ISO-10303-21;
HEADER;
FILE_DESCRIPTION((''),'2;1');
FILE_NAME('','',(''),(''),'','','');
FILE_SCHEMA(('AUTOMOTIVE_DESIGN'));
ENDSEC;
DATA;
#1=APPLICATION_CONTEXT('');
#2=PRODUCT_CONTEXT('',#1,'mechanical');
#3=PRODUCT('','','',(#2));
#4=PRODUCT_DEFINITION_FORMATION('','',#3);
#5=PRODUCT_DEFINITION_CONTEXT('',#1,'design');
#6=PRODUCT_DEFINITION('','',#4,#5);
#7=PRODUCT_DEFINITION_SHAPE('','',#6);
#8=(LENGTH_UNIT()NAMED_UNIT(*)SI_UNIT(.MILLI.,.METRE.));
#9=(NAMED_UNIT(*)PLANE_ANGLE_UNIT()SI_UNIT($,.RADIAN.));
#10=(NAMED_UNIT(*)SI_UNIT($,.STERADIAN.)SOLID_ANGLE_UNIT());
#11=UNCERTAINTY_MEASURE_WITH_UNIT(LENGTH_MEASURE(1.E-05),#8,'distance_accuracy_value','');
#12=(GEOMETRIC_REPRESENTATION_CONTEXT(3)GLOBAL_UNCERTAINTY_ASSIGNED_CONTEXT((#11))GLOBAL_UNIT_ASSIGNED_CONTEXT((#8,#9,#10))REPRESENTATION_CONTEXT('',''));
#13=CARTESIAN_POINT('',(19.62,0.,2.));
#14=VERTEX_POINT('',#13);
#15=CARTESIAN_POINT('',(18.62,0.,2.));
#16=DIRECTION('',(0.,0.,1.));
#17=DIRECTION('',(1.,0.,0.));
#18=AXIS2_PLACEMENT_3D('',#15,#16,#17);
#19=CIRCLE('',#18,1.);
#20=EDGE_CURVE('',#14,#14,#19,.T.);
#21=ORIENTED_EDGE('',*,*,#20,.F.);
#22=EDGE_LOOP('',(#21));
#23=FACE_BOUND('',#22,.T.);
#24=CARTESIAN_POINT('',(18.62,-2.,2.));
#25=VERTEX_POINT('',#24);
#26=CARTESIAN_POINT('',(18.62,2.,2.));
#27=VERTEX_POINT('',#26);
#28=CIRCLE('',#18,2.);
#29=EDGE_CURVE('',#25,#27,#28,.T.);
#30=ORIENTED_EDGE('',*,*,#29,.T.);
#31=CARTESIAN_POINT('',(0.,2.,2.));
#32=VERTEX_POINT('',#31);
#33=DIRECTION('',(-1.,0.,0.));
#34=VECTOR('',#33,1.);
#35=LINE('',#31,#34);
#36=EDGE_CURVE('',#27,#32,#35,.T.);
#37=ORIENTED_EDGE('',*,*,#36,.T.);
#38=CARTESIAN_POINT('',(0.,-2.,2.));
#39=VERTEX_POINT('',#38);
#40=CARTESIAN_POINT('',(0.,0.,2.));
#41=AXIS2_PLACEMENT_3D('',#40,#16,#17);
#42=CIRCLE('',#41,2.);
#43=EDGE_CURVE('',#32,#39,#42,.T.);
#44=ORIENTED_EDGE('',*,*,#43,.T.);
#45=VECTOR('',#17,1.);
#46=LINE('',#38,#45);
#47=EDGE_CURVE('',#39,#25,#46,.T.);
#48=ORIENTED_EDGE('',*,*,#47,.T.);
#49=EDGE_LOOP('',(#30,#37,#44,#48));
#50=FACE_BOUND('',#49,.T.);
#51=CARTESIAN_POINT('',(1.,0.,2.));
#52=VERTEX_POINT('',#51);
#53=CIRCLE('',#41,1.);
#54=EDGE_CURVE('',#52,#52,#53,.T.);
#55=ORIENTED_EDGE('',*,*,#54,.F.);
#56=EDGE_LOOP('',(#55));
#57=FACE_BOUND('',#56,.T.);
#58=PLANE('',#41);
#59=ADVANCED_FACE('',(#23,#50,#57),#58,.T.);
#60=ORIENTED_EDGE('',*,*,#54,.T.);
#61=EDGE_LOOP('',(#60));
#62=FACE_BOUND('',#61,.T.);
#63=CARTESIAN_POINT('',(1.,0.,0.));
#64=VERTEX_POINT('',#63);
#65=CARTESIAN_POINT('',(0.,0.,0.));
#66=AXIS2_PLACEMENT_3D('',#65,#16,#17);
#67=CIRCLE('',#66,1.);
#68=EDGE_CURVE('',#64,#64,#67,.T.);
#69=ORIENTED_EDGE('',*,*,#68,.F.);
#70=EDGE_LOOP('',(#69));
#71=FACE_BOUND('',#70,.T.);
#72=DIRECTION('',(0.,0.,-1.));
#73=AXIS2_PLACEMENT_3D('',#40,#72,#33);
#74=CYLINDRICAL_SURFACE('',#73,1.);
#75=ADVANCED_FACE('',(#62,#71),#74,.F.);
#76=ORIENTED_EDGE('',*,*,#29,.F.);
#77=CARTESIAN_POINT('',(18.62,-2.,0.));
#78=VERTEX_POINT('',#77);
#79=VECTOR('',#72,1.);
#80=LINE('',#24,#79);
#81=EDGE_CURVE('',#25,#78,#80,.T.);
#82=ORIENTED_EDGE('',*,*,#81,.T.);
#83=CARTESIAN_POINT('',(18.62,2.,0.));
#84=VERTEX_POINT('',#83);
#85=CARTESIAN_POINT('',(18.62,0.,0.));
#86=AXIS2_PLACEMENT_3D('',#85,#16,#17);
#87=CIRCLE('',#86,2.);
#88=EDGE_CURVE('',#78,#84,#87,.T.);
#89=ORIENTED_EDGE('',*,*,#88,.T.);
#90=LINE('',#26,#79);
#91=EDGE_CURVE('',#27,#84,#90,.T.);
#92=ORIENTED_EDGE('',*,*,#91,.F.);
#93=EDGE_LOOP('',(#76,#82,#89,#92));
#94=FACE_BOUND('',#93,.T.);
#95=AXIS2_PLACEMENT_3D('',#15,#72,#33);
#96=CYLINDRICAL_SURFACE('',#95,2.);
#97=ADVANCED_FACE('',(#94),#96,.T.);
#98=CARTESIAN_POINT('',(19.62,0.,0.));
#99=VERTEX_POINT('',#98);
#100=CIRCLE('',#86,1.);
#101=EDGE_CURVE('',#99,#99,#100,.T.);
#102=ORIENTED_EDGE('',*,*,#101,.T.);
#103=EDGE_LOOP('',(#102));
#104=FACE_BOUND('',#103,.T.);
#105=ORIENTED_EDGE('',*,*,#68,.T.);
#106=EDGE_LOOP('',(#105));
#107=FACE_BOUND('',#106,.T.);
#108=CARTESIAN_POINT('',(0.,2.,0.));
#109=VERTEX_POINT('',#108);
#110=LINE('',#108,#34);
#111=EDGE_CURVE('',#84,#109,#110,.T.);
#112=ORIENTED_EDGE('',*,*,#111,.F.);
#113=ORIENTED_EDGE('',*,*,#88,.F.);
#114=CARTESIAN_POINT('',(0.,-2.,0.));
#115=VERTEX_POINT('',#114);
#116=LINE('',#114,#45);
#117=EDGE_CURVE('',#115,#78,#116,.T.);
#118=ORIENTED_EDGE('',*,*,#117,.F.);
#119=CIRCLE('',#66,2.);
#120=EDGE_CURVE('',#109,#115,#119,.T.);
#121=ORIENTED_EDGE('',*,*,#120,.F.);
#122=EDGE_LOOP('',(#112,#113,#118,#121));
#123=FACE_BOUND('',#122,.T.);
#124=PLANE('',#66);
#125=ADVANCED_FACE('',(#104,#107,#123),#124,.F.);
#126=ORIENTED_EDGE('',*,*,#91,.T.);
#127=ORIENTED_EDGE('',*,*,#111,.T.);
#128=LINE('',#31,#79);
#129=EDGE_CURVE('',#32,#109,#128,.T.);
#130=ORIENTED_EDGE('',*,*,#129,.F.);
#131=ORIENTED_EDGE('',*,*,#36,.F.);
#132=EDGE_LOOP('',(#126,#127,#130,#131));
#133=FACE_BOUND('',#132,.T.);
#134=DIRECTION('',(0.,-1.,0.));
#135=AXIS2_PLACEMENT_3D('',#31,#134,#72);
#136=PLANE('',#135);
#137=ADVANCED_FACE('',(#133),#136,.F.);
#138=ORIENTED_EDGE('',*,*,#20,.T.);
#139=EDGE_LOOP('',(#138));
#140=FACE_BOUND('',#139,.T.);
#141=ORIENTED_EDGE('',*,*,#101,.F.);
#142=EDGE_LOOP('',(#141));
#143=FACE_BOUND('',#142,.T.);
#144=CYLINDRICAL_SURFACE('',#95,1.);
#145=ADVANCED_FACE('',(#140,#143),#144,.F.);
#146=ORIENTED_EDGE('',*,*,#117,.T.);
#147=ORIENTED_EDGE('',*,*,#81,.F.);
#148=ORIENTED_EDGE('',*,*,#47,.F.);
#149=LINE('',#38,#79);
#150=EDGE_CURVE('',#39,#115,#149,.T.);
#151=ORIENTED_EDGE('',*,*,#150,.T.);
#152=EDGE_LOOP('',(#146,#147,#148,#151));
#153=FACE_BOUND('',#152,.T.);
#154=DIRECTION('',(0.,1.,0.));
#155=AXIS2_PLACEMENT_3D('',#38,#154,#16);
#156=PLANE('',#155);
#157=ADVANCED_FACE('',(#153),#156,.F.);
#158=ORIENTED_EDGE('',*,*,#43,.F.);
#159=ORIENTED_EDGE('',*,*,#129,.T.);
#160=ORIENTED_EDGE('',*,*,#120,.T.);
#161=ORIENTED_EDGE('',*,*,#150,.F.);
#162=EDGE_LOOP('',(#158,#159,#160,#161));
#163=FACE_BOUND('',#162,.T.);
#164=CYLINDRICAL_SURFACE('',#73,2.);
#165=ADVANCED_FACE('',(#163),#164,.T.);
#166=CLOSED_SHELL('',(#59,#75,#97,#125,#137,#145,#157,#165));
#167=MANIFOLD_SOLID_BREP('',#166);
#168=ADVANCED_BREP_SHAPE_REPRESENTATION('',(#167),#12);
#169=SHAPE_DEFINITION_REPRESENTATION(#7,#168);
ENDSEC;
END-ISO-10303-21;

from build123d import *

# Parameters (mm, degrees)
SKETCH1_R           = 1
BOSS_EXTRUDE1_DEPTH = 2


with BuildPart() as part:
    # Sketch1 → Boss-Extrude1 (new body)
    with BuildSketch(Plane.XY):
        with BuildLine():
            Line((0, 2), (18.62, 2))
            ThreePointArc((18.62, 2), (20.62, 0), (18.62, -2))
            Line((18.62, -2), (0, -2))
            ThreePointArc((0, -2), (-2, 0), (0, 2))
        make_face()
        Circle(SKETCH1_R, mode=Mode.SUBTRACT)
        with Locations((18.62, 0)):
            Circle(SKETCH1_R, mode=Mode.SUBTRACT)
    extrude(amount=BOSS_EXTRUDE1_DEPTH)


solid = part.part
